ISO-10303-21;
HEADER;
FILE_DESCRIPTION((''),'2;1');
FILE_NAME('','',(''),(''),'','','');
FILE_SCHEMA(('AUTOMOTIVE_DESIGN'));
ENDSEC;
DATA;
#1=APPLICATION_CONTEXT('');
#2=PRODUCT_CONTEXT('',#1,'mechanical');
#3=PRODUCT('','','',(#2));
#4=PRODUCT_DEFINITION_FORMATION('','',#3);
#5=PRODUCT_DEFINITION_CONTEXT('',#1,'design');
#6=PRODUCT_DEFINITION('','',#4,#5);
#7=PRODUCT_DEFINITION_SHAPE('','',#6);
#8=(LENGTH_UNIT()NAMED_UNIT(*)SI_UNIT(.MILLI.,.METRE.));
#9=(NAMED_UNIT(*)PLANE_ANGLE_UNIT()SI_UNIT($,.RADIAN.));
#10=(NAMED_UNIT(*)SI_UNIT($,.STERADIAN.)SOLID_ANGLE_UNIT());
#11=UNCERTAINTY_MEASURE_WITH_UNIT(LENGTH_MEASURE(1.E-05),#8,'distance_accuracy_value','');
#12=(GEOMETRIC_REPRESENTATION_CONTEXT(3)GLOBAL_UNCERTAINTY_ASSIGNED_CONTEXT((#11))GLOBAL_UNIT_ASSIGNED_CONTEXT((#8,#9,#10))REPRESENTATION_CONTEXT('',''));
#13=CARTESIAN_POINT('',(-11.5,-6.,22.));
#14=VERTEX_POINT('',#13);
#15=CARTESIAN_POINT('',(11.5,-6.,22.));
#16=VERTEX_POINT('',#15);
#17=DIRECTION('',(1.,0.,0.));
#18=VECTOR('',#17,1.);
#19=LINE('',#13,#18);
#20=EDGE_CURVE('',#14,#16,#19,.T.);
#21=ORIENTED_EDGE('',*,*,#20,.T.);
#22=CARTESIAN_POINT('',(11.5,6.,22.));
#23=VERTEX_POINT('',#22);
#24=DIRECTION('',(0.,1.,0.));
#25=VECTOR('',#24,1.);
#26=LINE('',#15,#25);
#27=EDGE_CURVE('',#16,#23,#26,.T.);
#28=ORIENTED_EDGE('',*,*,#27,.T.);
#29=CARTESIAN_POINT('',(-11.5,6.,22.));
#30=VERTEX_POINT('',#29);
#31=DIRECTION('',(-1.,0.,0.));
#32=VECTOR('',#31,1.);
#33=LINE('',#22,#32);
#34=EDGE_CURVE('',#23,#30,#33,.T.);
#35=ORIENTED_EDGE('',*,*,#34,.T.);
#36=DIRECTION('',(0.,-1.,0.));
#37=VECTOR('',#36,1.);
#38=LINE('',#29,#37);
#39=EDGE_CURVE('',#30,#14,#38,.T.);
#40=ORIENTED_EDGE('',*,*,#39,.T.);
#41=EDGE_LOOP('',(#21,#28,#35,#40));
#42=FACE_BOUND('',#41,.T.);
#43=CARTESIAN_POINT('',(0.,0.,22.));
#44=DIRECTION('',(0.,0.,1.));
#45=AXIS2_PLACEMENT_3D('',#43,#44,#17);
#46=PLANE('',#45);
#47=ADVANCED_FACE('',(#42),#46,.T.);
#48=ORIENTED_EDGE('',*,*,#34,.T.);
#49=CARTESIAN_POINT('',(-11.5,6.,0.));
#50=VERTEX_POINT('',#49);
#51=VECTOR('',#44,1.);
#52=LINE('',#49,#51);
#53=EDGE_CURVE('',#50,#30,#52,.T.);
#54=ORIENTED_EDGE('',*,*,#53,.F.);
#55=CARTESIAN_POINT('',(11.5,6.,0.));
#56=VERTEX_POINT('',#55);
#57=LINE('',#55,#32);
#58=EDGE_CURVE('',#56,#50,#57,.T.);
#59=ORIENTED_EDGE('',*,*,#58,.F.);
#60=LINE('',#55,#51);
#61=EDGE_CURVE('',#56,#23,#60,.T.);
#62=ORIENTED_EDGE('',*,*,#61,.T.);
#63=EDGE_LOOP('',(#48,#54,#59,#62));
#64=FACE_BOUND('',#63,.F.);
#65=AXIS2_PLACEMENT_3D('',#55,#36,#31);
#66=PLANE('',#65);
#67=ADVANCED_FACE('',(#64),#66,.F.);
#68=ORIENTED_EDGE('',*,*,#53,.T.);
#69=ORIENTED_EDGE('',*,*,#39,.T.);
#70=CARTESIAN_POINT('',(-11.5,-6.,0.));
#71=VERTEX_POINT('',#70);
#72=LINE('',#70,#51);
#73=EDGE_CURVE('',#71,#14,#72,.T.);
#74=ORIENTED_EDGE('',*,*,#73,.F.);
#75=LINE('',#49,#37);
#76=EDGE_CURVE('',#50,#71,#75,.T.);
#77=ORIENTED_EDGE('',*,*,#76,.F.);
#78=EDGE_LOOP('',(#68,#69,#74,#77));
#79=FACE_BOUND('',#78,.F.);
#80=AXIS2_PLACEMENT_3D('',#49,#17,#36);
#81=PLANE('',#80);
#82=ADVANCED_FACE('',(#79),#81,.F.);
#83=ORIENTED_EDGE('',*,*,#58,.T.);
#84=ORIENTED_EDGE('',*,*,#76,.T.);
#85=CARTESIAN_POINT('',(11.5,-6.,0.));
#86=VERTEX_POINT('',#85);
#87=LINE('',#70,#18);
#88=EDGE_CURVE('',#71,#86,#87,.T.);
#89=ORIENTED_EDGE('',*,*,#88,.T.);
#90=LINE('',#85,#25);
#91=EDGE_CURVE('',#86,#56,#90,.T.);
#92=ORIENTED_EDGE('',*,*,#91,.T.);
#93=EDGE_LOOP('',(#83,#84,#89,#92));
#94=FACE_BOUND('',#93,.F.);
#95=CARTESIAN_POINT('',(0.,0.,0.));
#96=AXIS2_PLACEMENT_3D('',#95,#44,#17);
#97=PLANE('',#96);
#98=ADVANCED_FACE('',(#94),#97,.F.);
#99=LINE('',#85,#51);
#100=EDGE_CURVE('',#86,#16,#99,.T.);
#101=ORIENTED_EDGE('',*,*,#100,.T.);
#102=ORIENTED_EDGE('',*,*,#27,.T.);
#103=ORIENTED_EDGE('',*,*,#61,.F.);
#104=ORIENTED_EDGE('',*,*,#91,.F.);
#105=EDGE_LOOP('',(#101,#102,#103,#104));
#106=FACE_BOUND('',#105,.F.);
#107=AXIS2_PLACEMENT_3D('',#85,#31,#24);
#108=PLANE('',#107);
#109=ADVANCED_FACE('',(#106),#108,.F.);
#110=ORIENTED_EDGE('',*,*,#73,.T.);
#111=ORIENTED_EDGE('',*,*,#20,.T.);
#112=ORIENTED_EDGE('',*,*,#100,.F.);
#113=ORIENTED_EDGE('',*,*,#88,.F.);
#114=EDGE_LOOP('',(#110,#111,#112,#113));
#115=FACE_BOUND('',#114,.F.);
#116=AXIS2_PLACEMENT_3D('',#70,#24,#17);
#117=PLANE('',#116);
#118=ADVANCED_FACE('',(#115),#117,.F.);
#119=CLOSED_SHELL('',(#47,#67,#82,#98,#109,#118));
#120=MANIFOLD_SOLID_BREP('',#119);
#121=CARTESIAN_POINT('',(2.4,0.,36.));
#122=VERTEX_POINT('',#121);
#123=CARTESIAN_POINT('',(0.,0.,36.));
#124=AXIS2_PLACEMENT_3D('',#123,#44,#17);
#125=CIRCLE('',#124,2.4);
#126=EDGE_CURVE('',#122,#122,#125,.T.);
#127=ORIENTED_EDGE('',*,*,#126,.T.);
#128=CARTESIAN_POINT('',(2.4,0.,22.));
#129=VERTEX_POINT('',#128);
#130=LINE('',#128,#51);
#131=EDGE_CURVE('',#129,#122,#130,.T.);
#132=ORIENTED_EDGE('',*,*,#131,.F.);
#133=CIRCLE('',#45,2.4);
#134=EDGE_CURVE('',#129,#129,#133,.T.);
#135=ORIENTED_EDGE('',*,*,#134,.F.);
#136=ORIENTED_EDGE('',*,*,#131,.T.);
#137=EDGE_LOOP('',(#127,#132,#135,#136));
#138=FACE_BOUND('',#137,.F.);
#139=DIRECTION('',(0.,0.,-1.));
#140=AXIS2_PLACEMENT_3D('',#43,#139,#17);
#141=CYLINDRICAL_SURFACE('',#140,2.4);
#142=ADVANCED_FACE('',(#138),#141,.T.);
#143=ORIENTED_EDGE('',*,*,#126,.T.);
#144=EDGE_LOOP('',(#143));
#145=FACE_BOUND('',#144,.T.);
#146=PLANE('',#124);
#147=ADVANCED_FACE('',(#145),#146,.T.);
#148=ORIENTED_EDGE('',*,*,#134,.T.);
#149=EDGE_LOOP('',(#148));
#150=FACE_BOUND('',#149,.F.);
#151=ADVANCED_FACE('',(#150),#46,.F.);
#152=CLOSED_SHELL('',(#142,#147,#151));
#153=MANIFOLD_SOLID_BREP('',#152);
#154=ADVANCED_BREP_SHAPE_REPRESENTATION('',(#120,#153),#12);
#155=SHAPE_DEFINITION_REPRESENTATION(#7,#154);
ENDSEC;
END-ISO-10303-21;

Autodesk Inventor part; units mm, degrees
ref_plane "YZ Plane" through (0, 0, 0) normal (1, 0, 0) x (0, 1, 0)
ref_plane "XZ Plane" through (0, 0, 0) normal (0, 1, 0) x (-1, 0, 0)
sketch "Skizze1" plane through (0, 0, 0) normal (0, 0, 1) x (1, 0, 0)
  line L0 (-11.5, -6) -> (11.5, -6)
  line L1 (11.5, -6) -> (11.5, 6)
  line L2 (11.5, 6) -> (-11.5, 6)
  line L3 (-11.5, 6) -> (-11.5, -6)
extrude "Extrusion1" add sketch "Skizze1" along normal blind 22
ref_plane "Arbeitsebene1" through (0, 0, 22) normal (0, 0, 1) x (1, 0, 0)
sketch "Skizze2" plane through (0, 0, 22) normal (0, 0, 1) x (1, 0, 0)
  circle A0 centre (0, 0) radius 2.4
extrude "Extrusion2" add sketch "Skizze2" along normal blind 14 separate body
properties part number "Servo_SG90"
